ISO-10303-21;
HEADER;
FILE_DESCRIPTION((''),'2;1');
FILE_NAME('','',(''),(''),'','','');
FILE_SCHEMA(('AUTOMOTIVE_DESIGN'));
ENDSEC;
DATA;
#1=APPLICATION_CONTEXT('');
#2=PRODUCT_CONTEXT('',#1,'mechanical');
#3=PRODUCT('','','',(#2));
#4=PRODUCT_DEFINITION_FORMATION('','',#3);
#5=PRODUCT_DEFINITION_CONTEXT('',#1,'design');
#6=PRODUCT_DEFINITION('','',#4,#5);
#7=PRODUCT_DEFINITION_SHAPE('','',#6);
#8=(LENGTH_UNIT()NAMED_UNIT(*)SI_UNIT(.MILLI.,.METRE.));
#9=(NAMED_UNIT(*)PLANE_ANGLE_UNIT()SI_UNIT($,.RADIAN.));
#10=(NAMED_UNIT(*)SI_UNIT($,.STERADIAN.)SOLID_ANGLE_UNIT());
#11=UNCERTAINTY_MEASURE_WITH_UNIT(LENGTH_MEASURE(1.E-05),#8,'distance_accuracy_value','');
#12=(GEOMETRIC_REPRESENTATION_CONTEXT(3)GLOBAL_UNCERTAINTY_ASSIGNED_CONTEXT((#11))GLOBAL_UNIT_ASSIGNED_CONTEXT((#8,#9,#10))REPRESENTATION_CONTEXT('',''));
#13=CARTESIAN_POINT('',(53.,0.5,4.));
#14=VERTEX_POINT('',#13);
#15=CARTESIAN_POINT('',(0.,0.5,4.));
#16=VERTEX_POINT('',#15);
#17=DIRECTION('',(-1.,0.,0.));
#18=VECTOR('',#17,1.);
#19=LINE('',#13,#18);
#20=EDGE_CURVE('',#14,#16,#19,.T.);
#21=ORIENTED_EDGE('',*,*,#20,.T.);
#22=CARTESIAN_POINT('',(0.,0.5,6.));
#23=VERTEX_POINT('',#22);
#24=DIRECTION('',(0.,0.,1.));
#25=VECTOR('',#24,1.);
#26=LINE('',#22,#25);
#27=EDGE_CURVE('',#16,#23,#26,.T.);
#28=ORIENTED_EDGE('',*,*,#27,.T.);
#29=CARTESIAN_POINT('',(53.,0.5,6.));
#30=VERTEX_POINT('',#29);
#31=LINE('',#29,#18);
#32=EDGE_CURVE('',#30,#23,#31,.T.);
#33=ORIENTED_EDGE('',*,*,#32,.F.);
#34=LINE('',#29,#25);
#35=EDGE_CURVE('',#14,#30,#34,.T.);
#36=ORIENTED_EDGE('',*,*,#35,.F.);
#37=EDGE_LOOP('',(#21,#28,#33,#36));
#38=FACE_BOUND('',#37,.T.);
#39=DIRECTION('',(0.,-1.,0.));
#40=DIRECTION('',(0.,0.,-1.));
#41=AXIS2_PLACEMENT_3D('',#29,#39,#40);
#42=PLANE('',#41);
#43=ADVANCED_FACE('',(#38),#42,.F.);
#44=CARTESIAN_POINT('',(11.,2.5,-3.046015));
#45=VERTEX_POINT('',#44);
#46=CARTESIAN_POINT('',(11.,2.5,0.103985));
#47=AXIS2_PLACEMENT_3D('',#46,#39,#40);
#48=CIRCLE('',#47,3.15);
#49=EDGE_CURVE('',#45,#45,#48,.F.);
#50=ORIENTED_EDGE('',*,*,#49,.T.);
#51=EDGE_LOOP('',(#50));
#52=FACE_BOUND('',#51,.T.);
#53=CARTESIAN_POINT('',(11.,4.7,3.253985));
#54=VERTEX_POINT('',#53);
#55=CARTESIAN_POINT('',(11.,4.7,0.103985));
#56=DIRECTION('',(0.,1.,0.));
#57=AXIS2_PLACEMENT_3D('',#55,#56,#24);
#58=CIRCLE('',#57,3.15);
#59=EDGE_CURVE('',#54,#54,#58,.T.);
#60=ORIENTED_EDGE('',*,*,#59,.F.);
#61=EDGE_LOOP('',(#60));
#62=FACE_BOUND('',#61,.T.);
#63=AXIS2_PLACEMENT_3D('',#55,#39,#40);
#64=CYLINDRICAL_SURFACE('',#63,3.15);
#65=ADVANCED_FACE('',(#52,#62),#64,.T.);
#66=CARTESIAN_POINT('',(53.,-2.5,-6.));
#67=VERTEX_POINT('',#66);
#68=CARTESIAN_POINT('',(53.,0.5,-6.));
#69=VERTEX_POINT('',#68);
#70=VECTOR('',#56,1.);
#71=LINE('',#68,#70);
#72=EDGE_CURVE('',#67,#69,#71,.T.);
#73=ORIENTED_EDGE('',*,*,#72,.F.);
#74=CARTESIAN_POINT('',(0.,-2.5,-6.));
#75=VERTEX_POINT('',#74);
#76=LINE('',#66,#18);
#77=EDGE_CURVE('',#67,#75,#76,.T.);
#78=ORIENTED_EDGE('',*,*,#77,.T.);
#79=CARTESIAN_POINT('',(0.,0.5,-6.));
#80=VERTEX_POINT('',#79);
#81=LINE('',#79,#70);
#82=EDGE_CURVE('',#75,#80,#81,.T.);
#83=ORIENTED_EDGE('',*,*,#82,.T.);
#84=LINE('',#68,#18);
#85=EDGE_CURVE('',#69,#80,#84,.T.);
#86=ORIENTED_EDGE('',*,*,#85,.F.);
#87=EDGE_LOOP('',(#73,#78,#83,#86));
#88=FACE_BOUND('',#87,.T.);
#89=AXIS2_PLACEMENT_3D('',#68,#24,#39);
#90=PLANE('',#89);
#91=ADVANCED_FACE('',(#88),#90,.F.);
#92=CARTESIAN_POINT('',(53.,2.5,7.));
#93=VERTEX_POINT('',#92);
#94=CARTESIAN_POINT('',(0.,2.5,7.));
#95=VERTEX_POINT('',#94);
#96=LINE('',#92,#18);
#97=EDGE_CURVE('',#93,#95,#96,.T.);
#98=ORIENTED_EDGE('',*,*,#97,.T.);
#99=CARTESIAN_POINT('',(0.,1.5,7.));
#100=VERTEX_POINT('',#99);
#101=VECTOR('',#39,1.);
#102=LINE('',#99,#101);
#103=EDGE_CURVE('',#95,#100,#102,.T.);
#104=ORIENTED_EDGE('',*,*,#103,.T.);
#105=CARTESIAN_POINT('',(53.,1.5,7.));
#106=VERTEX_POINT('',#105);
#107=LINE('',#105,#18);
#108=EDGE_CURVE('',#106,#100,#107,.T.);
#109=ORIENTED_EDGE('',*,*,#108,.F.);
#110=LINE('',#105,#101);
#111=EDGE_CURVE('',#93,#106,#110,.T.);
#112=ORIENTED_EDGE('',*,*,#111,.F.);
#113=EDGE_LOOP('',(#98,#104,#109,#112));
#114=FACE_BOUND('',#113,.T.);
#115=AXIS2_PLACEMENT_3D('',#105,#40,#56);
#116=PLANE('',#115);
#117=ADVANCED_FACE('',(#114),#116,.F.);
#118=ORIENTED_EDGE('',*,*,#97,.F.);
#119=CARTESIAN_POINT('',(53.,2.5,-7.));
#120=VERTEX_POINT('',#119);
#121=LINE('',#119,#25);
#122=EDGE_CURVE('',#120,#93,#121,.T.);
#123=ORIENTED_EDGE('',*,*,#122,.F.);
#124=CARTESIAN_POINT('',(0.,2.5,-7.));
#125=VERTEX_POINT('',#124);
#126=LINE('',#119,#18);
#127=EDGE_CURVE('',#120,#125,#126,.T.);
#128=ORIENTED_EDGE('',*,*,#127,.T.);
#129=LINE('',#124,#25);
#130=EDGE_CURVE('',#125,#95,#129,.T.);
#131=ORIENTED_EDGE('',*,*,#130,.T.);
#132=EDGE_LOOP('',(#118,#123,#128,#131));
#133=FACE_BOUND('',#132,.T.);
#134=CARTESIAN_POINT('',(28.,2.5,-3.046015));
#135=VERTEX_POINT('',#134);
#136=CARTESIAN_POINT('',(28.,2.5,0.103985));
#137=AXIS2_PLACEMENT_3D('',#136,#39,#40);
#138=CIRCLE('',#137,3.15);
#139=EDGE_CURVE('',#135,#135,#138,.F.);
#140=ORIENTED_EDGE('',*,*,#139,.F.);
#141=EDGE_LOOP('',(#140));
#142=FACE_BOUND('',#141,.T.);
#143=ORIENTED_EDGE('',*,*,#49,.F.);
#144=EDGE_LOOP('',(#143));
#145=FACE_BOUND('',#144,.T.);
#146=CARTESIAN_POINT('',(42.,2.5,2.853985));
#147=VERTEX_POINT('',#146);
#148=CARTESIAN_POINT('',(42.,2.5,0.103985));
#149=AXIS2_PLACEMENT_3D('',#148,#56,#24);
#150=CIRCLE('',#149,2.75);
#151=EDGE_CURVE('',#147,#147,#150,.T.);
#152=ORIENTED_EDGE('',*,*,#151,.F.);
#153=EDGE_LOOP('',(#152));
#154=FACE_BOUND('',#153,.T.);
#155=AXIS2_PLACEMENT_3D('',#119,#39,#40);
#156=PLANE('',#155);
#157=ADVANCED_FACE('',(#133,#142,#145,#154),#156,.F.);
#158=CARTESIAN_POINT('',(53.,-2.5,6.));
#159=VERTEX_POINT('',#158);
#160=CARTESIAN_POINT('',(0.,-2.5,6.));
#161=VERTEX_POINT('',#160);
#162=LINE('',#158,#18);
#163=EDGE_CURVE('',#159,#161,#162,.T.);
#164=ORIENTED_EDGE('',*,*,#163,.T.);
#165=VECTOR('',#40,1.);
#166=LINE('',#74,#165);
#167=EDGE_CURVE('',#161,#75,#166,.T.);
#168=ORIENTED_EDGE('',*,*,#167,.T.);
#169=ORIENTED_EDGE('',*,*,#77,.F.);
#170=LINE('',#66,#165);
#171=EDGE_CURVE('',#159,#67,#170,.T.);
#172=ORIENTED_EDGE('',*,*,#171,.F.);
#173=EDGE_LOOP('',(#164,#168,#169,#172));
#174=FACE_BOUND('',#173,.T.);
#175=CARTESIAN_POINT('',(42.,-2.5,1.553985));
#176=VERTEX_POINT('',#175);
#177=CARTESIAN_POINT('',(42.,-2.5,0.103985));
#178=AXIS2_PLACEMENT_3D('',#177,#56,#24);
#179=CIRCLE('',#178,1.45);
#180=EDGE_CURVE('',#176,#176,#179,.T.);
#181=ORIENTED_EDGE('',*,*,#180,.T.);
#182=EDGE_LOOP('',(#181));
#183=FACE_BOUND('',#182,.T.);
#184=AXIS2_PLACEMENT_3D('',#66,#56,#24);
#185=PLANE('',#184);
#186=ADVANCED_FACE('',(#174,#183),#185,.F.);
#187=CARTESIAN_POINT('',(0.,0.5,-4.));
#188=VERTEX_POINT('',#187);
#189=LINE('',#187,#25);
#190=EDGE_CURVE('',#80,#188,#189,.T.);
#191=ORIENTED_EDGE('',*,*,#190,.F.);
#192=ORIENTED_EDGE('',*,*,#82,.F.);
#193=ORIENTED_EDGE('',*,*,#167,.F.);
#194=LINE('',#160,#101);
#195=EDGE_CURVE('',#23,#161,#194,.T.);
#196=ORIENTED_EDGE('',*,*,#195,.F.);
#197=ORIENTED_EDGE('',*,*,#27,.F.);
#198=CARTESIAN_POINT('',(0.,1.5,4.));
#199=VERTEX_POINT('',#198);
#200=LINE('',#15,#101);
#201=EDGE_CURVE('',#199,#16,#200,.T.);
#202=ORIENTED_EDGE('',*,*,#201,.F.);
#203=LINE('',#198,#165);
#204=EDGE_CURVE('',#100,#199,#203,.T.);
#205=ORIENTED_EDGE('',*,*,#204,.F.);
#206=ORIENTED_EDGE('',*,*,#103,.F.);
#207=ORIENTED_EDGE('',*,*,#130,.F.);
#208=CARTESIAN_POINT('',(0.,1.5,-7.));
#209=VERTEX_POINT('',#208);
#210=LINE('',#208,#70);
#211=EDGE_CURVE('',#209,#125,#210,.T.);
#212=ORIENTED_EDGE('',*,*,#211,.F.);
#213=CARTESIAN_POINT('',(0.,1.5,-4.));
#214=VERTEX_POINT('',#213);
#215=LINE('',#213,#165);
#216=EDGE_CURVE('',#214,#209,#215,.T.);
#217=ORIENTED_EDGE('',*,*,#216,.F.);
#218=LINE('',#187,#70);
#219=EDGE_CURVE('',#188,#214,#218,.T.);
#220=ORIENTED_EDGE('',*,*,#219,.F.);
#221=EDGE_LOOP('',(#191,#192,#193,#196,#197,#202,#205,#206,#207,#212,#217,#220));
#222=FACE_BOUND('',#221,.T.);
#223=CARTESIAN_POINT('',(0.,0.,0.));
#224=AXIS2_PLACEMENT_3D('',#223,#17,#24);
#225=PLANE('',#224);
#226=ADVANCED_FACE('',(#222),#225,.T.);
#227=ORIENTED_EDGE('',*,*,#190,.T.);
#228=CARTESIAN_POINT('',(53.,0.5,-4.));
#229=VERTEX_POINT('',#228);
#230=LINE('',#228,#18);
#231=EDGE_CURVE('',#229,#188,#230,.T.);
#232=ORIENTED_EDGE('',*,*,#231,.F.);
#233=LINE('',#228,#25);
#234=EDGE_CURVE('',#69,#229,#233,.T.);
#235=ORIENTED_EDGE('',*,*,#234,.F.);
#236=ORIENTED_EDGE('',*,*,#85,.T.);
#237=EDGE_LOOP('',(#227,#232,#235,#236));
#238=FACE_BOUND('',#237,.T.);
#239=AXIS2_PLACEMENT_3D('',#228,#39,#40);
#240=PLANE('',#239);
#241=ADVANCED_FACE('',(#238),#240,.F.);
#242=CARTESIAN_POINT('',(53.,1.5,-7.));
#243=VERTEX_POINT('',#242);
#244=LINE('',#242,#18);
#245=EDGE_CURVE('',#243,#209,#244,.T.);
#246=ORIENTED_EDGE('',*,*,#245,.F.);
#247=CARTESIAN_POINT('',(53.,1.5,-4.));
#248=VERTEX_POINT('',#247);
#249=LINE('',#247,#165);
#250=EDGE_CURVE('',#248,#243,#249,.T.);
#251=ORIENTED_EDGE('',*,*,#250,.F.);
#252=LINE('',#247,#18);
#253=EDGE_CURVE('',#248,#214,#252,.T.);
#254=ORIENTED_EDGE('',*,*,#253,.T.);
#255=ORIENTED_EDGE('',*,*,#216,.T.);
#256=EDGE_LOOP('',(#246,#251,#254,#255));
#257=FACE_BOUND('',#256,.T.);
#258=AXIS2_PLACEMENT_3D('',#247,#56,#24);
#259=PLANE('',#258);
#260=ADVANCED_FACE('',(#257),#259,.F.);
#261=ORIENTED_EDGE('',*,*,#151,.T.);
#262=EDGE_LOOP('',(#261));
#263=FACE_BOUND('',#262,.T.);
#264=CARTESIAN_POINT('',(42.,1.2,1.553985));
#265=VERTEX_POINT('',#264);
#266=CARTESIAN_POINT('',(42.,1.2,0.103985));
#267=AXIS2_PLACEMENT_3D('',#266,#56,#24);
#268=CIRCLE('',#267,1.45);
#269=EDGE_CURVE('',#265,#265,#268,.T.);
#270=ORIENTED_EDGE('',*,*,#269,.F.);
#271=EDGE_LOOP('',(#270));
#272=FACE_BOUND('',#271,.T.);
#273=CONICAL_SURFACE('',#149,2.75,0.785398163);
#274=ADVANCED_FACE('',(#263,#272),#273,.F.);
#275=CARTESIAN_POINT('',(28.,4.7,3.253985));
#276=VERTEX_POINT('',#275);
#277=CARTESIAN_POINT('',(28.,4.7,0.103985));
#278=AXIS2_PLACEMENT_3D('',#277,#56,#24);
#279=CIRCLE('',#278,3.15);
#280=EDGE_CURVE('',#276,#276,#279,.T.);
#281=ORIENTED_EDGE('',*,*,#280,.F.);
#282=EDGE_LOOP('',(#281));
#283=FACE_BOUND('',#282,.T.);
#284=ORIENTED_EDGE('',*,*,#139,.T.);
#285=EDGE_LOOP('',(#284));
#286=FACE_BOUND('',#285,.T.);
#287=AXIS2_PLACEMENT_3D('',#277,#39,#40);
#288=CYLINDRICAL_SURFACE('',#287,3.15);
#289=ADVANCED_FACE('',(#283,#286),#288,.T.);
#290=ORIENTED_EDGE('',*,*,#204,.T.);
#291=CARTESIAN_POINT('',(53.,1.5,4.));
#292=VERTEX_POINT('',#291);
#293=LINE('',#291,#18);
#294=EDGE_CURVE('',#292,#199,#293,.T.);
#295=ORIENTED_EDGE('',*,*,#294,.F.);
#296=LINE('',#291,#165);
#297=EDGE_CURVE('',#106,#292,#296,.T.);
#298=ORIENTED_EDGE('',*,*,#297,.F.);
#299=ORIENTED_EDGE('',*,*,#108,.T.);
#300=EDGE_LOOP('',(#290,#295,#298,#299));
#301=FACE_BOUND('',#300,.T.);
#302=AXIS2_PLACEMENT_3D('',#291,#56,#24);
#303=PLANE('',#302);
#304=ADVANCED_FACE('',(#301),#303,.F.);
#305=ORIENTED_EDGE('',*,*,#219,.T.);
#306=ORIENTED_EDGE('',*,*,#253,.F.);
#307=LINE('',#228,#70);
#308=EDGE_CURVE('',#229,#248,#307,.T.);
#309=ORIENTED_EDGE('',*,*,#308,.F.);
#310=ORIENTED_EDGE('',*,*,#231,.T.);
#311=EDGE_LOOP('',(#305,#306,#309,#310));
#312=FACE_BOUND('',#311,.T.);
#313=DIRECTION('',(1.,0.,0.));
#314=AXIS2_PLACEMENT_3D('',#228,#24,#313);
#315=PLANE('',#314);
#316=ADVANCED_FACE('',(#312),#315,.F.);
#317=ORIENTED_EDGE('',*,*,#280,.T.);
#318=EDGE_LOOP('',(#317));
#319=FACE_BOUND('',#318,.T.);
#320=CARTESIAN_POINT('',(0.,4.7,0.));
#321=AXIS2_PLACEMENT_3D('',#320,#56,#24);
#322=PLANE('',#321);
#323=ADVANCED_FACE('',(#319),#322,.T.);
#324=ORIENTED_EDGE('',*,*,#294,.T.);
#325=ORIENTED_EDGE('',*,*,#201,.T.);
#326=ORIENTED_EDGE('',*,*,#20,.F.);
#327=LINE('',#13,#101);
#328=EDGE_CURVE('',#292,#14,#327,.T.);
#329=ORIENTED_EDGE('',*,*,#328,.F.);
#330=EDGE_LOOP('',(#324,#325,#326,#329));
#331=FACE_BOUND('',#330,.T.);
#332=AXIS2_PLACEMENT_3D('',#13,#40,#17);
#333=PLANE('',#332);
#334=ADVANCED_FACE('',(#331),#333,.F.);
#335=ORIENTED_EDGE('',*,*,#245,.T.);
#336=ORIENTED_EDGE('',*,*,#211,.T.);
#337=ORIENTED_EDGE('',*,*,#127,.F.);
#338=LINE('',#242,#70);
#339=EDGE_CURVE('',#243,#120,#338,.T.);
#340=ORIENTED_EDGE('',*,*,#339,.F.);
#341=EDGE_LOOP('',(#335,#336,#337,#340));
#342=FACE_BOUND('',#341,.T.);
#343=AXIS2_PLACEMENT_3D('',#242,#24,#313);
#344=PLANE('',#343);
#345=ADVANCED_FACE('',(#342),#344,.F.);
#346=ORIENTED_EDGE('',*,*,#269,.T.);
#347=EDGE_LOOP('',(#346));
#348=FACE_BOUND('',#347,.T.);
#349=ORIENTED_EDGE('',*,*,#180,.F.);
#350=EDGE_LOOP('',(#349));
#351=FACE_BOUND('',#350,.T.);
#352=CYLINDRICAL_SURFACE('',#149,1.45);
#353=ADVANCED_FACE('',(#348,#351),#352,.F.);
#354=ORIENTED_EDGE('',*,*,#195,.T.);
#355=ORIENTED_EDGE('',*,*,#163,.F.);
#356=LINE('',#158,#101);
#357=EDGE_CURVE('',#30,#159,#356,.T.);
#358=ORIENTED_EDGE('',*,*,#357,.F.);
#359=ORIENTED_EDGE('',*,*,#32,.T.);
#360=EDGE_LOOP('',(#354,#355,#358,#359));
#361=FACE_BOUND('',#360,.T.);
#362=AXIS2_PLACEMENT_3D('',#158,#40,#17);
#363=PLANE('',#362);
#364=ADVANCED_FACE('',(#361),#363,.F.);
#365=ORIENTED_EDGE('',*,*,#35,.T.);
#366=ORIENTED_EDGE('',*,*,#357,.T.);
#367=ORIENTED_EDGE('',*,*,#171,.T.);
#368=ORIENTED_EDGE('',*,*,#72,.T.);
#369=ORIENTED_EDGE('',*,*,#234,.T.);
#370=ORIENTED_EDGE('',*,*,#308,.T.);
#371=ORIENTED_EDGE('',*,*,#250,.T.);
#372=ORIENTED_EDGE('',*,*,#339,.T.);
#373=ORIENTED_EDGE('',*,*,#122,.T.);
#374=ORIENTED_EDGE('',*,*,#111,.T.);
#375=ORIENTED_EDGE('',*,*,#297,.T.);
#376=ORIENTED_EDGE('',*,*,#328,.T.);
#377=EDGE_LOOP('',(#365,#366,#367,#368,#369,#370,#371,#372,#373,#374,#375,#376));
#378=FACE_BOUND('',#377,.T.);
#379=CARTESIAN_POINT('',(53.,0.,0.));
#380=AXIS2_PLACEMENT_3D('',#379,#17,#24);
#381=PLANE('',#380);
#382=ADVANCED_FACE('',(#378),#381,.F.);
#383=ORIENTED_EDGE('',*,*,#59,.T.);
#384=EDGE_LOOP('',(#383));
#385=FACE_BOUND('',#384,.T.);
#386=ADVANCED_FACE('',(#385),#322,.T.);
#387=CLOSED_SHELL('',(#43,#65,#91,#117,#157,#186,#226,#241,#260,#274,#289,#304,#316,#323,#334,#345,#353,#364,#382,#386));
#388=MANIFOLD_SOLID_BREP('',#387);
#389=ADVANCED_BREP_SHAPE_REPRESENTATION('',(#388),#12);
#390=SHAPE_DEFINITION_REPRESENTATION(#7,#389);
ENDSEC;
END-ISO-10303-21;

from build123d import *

# Parameters (mm, degrees)
BOSS_EXTRUDE1_DEPTH                                  = 53
CSK_FOR_M2_5_COUNTERSUNK_FLAT_HEAD_SCREW_D           = 2.9
CSK_FOR_M2_5_COUNTERSUNK_FLAT_HEAD_SCREW_DEPTH       = 14
CSK_FOR_M2_5_COUNTERSUNK_FLAT_HEAD_SCREW_CSINK_D     = 5.5
CSK_FOR_M2_5_COUNTERSUNK_FLAT_HEAD_SCREW_CSINK_ANGLE = 90
CSK_FOR_M2_5_COUNTERSUNK_FLAT_HEAD_SCREW_TIP         = 0.871247898
BOSS_EXTRUDE2_DEPTH                                  = 2.2


with BuildPart() as part:
    # Sketch1 → Boss-Extrude1 (new body)
    with BuildSketch(Plane(origin=(0, 0, 0), x_dir=(0, 0, -1), z_dir=(1, 0, 0))):
        Polygon((4, 0.5), (6, 0.5), (6, -2.5), (-6, -2.5), (-6, 0.5), (-4, 0.5), (-4, 1.5), (-7, 1.5), (-7, 2.5), (7, 2.5), (7, 1.5), (4, 1.5), align=None)
    extrude(amount=BOSS_EXTRUDE1_DEPTH)

    # CSK for M2.5 Countersunk Flat Head Screw1
    with Locations(Plane(origin=(42, 2.5, 0.10398467), x_dir=(0, 0, 1), z_dir=(0, 1, 0))):
        with Locations((0, 0)):
            CounterSinkHole(CSK_FOR_M2_5_COUNTERSUNK_FLAT_HEAD_SCREW_D / 2, CSK_FOR_M2_5_COUNTERSUNK_FLAT_HEAD_SCREW_CSINK_D / 2, depth=CSK_FOR_M2_5_COUNTERSUNK_FLAT_HEAD_SCREW_DEPTH, counter_sink_angle=CSK_FOR_M2_5_COUNTERSUNK_FLAT_HEAD_SCREW_CSINK_ANGLE)
            with Locations((0, 0, -(CSK_FOR_M2_5_COUNTERSUNK_FLAT_HEAD_SCREW_DEPTH + CSK_FOR_M2_5_COUNTERSUNK_FLAT_HEAD_SCREW_TIP / 2))):  # 118° drill point
                Cone(0, CSK_FOR_M2_5_COUNTERSUNK_FLAT_HEAD_SCREW_D / 2, CSK_FOR_M2_5_COUNTERSUNK_FLAT_HEAD_SCREW_TIP, mode=Mode.SUBTRACT)

    # Sketch2 → Boss-Extrude2 (add)
    with BuildSketch(Plane(origin=(0, 2.5, 0), x_dir=(1, 0, 0), z_dir=(0, 1, 0))):
        with BuildLine():
            ThreePointArc((14.15, -0.10398467), (11, 3.04601533), (7.85, -0.10398467))
            ThreePointArc((7.85, -0.10398467), (11, -3.25398467), (14.15, -0.10398467))
        make_face()
        with BuildLine():
            ThreePointArc((31.15, -0.10398467), (28, 3.04601533), (24.85, -0.10398467))
            ThreePointArc((24.85, -0.10398467), (28, -3.25398467), (31.15, -0.10398467))
        make_face()
    extrude(amount=BOSS_EXTRUDE2_DEPTH)


solid = part.part
